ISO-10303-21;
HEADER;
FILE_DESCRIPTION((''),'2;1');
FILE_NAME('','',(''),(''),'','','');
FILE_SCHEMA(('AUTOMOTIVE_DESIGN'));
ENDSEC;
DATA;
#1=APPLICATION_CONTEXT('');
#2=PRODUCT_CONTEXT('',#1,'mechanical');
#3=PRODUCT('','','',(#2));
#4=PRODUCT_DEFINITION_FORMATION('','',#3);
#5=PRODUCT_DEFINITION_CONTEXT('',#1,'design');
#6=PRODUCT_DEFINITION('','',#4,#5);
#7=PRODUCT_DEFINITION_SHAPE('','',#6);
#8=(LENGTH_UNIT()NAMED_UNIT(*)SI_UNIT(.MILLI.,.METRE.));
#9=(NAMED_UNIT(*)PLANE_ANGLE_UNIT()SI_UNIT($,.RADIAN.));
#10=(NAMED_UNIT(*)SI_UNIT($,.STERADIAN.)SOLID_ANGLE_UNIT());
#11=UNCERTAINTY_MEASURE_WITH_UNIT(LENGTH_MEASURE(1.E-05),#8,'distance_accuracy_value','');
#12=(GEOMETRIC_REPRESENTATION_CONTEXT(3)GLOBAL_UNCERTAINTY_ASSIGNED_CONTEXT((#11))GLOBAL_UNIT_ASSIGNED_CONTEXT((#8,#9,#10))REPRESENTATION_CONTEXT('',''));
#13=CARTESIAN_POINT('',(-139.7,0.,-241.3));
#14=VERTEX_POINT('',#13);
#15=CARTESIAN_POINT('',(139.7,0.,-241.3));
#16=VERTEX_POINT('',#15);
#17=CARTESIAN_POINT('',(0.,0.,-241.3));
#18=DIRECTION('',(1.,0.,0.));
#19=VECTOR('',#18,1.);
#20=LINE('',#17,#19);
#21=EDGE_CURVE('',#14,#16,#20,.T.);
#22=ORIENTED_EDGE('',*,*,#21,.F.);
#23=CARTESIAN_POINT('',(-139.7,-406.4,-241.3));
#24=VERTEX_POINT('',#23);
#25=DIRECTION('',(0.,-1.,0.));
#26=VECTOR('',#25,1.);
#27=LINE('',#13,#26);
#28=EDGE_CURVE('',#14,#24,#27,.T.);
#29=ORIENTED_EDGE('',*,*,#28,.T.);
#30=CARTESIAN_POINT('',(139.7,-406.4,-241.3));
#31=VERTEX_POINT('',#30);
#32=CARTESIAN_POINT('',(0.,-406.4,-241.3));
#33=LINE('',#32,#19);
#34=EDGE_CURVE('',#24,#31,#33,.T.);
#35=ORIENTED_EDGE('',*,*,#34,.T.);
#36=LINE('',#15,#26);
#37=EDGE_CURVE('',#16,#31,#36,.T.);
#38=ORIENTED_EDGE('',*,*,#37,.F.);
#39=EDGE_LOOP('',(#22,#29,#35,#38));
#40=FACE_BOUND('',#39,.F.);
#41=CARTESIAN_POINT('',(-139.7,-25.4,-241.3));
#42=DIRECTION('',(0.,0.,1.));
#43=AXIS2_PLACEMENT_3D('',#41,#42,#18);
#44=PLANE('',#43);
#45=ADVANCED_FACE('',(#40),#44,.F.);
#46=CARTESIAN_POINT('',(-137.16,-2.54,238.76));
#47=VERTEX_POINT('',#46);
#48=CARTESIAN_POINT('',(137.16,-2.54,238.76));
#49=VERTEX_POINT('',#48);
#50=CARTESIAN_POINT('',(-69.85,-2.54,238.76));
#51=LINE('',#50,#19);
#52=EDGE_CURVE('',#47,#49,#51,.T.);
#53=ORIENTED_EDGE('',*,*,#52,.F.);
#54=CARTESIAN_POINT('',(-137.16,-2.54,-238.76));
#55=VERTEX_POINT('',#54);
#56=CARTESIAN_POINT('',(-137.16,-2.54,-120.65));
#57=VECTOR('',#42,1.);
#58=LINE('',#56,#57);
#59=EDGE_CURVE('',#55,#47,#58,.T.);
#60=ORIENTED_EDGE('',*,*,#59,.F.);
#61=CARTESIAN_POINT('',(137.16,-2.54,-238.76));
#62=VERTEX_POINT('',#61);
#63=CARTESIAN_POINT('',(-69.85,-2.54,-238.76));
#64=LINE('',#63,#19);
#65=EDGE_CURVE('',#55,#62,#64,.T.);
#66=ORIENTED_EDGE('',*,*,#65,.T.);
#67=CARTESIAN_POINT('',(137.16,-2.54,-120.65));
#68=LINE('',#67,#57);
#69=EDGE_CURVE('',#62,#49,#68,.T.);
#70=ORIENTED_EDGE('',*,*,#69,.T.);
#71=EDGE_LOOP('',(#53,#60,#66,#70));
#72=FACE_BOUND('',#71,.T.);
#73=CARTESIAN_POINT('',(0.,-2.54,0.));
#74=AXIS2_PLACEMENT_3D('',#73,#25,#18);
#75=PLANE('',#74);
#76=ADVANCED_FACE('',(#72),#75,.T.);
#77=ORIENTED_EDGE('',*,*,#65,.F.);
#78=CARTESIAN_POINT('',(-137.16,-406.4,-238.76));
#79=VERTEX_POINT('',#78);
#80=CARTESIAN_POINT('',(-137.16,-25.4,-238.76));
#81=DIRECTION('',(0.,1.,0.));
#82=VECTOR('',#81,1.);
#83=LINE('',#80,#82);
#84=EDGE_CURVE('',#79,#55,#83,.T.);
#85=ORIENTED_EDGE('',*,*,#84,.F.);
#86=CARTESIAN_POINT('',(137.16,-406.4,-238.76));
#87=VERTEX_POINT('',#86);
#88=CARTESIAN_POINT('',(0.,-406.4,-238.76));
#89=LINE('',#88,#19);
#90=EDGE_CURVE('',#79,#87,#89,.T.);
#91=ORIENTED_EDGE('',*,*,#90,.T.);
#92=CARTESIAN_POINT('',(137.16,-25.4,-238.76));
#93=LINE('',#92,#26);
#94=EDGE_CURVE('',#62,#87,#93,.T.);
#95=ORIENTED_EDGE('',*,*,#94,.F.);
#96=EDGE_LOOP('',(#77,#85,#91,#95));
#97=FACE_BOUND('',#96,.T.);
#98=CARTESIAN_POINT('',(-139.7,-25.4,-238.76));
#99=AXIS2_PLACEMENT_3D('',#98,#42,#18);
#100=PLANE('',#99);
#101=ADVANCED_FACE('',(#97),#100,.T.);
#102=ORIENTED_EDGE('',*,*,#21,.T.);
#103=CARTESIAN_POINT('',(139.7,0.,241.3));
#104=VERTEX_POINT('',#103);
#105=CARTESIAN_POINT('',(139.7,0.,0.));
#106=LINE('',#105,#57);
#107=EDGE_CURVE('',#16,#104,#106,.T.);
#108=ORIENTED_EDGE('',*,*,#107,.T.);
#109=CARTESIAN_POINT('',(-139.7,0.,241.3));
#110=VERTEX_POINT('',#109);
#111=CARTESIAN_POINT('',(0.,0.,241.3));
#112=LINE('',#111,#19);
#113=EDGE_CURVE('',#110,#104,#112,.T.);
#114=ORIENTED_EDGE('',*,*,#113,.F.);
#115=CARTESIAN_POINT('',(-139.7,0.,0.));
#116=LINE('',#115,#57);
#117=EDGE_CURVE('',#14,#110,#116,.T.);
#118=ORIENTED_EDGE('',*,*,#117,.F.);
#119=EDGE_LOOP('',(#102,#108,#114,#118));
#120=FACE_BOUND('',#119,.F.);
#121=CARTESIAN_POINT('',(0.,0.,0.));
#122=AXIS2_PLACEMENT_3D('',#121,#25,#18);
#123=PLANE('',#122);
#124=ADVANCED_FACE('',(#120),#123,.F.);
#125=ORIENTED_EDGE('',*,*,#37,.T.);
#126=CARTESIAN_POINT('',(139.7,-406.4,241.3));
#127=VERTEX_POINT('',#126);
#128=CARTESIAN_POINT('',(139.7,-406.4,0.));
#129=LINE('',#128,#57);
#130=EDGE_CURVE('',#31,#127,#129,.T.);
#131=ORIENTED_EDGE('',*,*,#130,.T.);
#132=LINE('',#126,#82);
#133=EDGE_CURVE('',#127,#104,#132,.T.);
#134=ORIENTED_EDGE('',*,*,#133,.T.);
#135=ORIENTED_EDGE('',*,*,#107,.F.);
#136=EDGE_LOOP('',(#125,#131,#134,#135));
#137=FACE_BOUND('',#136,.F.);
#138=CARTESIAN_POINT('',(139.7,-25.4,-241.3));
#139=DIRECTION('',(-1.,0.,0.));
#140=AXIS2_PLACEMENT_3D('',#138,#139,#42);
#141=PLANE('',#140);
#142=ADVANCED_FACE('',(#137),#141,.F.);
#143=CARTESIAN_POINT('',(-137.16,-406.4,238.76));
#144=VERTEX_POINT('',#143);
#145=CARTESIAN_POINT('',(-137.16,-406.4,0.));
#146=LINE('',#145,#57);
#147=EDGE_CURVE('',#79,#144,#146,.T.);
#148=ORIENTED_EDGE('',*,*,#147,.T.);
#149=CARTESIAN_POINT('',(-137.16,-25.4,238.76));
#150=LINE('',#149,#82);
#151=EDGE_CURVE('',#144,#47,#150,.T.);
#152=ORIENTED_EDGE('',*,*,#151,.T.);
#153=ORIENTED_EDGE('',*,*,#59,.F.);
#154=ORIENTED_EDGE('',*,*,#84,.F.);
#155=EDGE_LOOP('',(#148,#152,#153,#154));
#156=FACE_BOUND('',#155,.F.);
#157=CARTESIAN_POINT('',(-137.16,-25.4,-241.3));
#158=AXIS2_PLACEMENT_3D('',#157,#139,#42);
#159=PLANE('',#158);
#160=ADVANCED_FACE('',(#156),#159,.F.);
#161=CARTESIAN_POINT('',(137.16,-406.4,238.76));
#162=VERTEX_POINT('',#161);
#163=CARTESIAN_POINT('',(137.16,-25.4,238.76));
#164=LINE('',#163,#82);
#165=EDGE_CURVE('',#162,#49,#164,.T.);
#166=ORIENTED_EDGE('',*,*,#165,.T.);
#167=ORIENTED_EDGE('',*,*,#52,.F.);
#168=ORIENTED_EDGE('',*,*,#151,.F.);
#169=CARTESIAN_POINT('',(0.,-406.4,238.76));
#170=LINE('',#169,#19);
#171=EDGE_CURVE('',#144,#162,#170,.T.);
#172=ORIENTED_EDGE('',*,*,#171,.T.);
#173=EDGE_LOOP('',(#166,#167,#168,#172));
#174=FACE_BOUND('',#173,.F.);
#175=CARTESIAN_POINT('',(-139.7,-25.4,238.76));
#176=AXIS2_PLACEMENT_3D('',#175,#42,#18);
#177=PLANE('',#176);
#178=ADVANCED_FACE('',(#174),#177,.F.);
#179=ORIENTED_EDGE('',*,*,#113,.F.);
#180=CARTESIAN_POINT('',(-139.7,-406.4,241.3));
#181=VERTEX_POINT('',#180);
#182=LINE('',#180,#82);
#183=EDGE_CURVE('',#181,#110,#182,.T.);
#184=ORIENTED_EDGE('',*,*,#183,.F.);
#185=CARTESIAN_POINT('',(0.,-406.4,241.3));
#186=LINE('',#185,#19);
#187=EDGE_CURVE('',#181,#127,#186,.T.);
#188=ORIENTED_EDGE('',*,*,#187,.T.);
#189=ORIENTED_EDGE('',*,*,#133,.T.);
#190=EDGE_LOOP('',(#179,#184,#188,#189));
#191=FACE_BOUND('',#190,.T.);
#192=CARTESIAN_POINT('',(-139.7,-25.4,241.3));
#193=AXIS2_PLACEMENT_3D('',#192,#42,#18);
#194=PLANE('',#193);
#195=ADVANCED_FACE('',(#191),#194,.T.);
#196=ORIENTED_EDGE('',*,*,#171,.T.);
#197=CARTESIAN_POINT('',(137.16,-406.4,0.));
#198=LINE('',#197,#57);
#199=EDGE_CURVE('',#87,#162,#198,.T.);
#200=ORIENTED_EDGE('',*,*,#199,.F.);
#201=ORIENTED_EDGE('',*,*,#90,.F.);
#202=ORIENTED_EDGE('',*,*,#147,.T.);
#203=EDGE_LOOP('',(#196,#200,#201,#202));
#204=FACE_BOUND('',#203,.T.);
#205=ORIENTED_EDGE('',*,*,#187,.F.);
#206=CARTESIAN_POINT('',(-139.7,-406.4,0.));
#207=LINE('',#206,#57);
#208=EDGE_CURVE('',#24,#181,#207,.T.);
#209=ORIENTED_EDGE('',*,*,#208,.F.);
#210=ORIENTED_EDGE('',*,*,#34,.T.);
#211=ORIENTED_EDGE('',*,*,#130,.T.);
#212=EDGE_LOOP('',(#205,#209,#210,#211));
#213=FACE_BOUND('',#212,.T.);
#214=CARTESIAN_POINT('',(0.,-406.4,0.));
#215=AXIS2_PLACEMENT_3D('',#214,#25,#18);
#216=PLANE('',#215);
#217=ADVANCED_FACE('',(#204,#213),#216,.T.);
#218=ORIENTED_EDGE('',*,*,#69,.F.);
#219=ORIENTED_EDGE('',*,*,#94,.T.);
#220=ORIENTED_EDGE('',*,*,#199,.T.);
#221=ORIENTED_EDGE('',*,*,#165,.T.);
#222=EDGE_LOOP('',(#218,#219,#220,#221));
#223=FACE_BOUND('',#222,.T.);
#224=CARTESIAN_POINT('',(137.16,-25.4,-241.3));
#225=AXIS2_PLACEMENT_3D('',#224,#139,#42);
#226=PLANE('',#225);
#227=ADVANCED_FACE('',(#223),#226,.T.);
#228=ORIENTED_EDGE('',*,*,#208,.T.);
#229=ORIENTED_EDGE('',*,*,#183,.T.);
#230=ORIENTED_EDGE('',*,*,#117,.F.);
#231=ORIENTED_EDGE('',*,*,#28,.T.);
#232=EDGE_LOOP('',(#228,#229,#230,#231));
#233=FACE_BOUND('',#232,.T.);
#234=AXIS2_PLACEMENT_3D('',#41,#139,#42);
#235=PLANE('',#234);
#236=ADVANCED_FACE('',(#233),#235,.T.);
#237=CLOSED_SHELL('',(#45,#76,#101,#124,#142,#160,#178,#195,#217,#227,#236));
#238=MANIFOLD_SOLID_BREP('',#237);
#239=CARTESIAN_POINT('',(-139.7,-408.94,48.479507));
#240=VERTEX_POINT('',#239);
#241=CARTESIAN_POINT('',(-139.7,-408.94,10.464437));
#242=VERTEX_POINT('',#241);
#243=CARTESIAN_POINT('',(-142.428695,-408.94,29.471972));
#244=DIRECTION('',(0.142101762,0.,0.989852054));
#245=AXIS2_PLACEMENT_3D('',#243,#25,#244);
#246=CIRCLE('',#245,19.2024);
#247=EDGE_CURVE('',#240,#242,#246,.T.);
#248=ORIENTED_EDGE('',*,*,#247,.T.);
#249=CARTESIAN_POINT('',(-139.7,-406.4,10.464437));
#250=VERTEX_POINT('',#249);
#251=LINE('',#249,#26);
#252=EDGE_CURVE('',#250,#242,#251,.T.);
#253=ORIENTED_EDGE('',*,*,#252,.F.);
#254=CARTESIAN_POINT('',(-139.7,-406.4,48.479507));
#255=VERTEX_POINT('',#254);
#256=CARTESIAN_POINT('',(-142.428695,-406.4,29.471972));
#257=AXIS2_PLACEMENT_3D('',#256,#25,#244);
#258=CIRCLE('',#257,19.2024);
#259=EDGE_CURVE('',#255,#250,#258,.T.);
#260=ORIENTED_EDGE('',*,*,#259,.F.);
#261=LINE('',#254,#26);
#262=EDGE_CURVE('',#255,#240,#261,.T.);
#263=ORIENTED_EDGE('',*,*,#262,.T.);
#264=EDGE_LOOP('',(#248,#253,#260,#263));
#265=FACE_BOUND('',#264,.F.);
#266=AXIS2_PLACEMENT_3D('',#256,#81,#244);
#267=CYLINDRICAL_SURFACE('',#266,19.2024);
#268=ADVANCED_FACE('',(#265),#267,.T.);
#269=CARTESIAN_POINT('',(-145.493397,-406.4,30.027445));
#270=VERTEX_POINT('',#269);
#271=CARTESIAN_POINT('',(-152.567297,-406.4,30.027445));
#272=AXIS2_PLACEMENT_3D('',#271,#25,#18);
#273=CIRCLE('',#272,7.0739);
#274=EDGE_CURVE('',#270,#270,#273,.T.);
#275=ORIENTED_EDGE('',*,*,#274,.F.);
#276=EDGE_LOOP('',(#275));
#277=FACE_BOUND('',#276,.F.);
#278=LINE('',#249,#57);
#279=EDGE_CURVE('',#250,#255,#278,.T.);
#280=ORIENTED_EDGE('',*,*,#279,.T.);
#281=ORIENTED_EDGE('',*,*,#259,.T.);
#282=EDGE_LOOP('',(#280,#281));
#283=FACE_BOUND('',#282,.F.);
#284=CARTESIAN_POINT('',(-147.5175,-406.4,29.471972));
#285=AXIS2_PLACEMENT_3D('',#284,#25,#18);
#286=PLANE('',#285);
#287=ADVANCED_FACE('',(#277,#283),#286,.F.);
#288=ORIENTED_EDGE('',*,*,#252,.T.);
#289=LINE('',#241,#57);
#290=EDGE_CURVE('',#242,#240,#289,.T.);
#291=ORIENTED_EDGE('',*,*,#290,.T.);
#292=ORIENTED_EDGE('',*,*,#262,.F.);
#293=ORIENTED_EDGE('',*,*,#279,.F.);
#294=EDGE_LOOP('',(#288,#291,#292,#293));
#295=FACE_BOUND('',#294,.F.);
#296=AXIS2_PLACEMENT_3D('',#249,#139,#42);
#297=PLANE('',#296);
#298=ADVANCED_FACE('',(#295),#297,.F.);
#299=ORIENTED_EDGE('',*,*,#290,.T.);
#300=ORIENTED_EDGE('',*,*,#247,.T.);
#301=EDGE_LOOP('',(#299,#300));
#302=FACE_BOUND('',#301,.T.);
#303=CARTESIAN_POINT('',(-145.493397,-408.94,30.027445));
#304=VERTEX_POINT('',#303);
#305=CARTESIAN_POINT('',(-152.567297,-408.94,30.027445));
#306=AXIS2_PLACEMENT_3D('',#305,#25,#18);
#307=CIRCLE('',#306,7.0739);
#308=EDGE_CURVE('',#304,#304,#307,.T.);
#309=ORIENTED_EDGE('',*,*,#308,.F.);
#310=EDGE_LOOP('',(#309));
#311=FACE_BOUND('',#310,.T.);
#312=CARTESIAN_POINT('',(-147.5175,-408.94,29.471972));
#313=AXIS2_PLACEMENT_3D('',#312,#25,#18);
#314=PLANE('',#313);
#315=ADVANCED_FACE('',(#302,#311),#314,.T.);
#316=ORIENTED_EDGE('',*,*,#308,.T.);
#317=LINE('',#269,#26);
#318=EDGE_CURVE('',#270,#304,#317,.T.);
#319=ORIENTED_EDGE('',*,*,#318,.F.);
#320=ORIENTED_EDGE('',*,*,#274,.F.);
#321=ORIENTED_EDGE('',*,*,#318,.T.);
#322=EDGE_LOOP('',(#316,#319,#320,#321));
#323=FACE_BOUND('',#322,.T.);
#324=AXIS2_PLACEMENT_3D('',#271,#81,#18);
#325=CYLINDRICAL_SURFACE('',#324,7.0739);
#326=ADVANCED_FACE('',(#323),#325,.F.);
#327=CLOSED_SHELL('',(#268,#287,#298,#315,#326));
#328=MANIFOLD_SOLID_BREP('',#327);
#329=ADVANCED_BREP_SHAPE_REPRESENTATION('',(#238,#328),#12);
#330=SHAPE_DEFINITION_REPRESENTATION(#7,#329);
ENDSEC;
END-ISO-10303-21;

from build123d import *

# Parameters (mm, degrees)
F0_W     = 279.4
F0_H     = 482.6
F1_DEPTH = 25.4
F2_DEPTH = 381
F3_T     = -2.54
F4_R     = 7.0739
F5_DEPTH = 2.54


with BuildPart() as f1:
    # F0 (on Front) → F1 (new body)
    with BuildSketch(Plane.XZ):
        Rectangle(F0_W, F0_H)
    extrude(amount=F1_DEPTH)

    # F2 (add): a face of the model
    f2_faces = [f1.faces().sort_by_distance(p)[0] for p in [
        (0, -25.4, 0),
    ]]
    extrude(f2_faces, amount=F2_DEPTH)

    # F3
    f3_openings = [f1.faces().sort_by_distance(p)[0] for p in [
        (0, -406.4, 0),
    ]]
    offset(amount=F3_T, openings=f3_openings)


with BuildPart() as f5:
    # F4 (on face) → F5 (new body)
    with BuildSketch(Plane.XZ.offset(406.4)):
        with BuildLine():
            Line((-139.7, 10.4644373059), (-139.7, 48.4795074795))
            ThreePointArc((-139.7, 48.4795074795), (-161.6310948682, 29.4719723927), (-139.7, 10.4644373059))
        make_face()
        with Locations((-152.5672972202, 30.0274454057)):
            Circle(F4_R, mode=Mode.SUBTRACT)
    extrude(amount=F5_DEPTH)


solid = Compound([f1.part, f5.part])
